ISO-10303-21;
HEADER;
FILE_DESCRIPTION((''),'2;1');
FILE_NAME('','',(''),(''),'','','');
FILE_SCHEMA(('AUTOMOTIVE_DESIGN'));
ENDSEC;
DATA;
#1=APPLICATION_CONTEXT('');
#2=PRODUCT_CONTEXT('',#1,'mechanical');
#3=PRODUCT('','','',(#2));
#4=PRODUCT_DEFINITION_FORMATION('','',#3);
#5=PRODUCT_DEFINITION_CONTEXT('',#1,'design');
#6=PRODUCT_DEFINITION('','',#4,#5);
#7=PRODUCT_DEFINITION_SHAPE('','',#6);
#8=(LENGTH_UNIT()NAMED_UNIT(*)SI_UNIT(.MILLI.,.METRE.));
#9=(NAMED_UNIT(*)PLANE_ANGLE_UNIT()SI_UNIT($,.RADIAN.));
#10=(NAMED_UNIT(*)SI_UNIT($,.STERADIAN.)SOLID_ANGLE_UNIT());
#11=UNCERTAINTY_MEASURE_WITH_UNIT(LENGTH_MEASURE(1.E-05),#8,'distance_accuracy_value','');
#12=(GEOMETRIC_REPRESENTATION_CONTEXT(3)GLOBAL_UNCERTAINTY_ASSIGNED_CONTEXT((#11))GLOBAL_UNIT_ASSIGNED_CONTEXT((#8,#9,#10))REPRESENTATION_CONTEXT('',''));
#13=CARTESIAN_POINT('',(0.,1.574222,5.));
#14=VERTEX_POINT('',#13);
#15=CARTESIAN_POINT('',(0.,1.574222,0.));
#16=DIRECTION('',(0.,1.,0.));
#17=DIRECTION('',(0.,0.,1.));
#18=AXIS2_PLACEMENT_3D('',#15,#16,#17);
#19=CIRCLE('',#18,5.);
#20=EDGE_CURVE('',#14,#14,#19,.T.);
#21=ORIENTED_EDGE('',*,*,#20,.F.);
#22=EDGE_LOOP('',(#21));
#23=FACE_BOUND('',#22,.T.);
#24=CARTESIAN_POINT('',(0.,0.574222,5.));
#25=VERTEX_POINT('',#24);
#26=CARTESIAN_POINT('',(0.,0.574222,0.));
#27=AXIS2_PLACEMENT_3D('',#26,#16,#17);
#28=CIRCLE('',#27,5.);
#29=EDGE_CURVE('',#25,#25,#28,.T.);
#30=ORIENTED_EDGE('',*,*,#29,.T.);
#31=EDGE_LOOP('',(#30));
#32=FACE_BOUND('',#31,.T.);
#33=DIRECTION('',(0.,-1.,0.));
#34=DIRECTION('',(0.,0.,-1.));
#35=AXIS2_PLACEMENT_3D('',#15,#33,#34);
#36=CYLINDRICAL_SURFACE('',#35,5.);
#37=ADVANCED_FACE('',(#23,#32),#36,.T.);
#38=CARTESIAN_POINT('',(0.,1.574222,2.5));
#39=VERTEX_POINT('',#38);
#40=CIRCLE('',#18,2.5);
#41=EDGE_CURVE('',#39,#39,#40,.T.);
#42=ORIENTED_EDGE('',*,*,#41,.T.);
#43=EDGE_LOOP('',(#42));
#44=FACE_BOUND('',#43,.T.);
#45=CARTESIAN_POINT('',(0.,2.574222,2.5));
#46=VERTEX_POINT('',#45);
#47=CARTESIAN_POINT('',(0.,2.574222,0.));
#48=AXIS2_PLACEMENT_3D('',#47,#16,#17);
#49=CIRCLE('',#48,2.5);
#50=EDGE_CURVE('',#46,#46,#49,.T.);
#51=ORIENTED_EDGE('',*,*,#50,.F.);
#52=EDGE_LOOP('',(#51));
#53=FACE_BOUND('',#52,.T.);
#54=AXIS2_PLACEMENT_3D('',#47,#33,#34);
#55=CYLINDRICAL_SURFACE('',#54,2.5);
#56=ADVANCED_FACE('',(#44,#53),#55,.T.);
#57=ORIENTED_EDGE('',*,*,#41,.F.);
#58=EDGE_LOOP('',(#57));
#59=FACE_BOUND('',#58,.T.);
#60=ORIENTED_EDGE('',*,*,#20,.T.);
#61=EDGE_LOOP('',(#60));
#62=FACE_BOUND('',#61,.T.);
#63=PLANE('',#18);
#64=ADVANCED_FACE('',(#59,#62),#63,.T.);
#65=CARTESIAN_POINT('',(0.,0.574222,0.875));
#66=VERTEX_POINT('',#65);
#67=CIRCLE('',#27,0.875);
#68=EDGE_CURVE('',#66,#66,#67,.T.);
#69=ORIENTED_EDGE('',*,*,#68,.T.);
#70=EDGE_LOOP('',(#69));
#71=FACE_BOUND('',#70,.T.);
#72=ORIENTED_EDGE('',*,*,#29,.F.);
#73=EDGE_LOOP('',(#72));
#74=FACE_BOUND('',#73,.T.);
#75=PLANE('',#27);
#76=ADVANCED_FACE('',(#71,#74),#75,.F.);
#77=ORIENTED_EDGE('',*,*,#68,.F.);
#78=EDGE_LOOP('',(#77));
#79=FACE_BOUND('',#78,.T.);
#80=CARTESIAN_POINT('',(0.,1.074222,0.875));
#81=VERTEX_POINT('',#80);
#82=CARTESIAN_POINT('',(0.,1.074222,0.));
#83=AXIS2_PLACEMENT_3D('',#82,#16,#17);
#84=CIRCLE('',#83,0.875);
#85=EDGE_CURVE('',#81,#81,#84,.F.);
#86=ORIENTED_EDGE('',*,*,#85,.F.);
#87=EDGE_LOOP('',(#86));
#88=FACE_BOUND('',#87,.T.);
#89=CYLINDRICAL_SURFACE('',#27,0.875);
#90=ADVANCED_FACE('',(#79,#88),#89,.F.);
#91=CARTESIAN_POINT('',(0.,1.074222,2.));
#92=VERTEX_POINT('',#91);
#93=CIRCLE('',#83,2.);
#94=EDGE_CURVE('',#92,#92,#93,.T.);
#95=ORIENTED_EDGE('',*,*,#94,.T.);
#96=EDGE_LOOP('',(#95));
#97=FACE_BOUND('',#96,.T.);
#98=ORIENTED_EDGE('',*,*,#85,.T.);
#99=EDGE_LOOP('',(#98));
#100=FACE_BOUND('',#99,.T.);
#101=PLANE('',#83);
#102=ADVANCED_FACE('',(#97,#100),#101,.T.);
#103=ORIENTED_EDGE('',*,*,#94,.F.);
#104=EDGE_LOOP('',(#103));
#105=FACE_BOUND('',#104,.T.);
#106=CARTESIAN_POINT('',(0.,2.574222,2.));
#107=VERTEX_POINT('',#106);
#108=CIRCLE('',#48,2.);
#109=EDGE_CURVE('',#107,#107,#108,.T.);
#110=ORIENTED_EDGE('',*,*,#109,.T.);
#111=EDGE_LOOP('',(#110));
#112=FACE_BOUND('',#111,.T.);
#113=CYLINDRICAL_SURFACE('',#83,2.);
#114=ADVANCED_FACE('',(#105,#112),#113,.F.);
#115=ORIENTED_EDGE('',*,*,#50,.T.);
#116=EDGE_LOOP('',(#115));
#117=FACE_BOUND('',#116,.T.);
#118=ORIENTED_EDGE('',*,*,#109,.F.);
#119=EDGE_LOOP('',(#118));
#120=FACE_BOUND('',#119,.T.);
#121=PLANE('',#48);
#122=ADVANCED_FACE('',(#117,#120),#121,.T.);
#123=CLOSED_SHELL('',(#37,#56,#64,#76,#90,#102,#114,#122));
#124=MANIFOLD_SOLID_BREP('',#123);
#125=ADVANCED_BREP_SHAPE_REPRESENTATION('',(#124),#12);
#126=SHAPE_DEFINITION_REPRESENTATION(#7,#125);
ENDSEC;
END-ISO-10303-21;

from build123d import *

# Parameters (mm, degrees)
SKETCH_1_R          = 10
EXTRUDE_1_DEPTH     = 2
SKETCH_2_R          = 5
EXTRUDE_2_DEPTH     = 2
SKETCH_3_R          = 1.75
CUT_EXTRUDE_1_DEPTH = 15.696938457
SKETCH_4_R          = 4
CUT_EXTRUDE_2_DEPTH = 3
SCALE_1_SCALE       = 0.5


with BuildPart() as part:
    # 草图1 → 凸台-拉伸1 (new body)
    with BuildSketch(Plane(origin=(0, 0, 0), x_dir=(1, 0, 0), z_dir=(0, 1, 0))):
        with Locations(Location((0, 0, 0), (0, 0, 270))):
            Circle(SKETCH_1_R)
    extrude(amount=EXTRUDE_1_DEPTH)

    # 草图2 → 凸台-拉伸2 (add)
    with BuildSketch(Plane(origin=(0, 2, 0), x_dir=(1, 0, 0), z_dir=(0, 1, 0))):
        with Locations(Location((0, 0, 0), (0, 0, 270))):
            Circle(SKETCH_2_R)
    extrude(amount=EXTRUDE_2_DEPTH)

    # 草图3 → 切除-拉伸1 (cut, through all)
    with BuildSketch(Plane(origin=(0, 4, 0), x_dir=(1, 0, 0), z_dir=(0, 1, 0))):
        with Locations(Location((0, 0, 0), (0, 0, 270))):
            Circle(SKETCH_3_R)
    extrude(amount=-CUT_EXTRUDE_1_DEPTH, mode=Mode.SUBTRACT)

    # 草图4 → 切除-拉伸2 (cut)
    with BuildSketch(Plane(origin=(0, 4, 0), x_dir=(1, 0, 0), z_dir=(0, 1, 0))):
        with Locations(Location((0, 0, 0), (0, 0, 270))):
            Circle(SKETCH_4_R)
    extrude(amount=-CUT_EXTRUDE_2_DEPTH, mode=Mode.SUBTRACT)


with BuildPart() as part_1:
    # 缩放比例1: scaled about (0, 1.148444863, 0)
    add(part.part.scale(SCALE_1_SCALE).moved(Location((0, 0.574222431, 0))))


solid = part_1.part
